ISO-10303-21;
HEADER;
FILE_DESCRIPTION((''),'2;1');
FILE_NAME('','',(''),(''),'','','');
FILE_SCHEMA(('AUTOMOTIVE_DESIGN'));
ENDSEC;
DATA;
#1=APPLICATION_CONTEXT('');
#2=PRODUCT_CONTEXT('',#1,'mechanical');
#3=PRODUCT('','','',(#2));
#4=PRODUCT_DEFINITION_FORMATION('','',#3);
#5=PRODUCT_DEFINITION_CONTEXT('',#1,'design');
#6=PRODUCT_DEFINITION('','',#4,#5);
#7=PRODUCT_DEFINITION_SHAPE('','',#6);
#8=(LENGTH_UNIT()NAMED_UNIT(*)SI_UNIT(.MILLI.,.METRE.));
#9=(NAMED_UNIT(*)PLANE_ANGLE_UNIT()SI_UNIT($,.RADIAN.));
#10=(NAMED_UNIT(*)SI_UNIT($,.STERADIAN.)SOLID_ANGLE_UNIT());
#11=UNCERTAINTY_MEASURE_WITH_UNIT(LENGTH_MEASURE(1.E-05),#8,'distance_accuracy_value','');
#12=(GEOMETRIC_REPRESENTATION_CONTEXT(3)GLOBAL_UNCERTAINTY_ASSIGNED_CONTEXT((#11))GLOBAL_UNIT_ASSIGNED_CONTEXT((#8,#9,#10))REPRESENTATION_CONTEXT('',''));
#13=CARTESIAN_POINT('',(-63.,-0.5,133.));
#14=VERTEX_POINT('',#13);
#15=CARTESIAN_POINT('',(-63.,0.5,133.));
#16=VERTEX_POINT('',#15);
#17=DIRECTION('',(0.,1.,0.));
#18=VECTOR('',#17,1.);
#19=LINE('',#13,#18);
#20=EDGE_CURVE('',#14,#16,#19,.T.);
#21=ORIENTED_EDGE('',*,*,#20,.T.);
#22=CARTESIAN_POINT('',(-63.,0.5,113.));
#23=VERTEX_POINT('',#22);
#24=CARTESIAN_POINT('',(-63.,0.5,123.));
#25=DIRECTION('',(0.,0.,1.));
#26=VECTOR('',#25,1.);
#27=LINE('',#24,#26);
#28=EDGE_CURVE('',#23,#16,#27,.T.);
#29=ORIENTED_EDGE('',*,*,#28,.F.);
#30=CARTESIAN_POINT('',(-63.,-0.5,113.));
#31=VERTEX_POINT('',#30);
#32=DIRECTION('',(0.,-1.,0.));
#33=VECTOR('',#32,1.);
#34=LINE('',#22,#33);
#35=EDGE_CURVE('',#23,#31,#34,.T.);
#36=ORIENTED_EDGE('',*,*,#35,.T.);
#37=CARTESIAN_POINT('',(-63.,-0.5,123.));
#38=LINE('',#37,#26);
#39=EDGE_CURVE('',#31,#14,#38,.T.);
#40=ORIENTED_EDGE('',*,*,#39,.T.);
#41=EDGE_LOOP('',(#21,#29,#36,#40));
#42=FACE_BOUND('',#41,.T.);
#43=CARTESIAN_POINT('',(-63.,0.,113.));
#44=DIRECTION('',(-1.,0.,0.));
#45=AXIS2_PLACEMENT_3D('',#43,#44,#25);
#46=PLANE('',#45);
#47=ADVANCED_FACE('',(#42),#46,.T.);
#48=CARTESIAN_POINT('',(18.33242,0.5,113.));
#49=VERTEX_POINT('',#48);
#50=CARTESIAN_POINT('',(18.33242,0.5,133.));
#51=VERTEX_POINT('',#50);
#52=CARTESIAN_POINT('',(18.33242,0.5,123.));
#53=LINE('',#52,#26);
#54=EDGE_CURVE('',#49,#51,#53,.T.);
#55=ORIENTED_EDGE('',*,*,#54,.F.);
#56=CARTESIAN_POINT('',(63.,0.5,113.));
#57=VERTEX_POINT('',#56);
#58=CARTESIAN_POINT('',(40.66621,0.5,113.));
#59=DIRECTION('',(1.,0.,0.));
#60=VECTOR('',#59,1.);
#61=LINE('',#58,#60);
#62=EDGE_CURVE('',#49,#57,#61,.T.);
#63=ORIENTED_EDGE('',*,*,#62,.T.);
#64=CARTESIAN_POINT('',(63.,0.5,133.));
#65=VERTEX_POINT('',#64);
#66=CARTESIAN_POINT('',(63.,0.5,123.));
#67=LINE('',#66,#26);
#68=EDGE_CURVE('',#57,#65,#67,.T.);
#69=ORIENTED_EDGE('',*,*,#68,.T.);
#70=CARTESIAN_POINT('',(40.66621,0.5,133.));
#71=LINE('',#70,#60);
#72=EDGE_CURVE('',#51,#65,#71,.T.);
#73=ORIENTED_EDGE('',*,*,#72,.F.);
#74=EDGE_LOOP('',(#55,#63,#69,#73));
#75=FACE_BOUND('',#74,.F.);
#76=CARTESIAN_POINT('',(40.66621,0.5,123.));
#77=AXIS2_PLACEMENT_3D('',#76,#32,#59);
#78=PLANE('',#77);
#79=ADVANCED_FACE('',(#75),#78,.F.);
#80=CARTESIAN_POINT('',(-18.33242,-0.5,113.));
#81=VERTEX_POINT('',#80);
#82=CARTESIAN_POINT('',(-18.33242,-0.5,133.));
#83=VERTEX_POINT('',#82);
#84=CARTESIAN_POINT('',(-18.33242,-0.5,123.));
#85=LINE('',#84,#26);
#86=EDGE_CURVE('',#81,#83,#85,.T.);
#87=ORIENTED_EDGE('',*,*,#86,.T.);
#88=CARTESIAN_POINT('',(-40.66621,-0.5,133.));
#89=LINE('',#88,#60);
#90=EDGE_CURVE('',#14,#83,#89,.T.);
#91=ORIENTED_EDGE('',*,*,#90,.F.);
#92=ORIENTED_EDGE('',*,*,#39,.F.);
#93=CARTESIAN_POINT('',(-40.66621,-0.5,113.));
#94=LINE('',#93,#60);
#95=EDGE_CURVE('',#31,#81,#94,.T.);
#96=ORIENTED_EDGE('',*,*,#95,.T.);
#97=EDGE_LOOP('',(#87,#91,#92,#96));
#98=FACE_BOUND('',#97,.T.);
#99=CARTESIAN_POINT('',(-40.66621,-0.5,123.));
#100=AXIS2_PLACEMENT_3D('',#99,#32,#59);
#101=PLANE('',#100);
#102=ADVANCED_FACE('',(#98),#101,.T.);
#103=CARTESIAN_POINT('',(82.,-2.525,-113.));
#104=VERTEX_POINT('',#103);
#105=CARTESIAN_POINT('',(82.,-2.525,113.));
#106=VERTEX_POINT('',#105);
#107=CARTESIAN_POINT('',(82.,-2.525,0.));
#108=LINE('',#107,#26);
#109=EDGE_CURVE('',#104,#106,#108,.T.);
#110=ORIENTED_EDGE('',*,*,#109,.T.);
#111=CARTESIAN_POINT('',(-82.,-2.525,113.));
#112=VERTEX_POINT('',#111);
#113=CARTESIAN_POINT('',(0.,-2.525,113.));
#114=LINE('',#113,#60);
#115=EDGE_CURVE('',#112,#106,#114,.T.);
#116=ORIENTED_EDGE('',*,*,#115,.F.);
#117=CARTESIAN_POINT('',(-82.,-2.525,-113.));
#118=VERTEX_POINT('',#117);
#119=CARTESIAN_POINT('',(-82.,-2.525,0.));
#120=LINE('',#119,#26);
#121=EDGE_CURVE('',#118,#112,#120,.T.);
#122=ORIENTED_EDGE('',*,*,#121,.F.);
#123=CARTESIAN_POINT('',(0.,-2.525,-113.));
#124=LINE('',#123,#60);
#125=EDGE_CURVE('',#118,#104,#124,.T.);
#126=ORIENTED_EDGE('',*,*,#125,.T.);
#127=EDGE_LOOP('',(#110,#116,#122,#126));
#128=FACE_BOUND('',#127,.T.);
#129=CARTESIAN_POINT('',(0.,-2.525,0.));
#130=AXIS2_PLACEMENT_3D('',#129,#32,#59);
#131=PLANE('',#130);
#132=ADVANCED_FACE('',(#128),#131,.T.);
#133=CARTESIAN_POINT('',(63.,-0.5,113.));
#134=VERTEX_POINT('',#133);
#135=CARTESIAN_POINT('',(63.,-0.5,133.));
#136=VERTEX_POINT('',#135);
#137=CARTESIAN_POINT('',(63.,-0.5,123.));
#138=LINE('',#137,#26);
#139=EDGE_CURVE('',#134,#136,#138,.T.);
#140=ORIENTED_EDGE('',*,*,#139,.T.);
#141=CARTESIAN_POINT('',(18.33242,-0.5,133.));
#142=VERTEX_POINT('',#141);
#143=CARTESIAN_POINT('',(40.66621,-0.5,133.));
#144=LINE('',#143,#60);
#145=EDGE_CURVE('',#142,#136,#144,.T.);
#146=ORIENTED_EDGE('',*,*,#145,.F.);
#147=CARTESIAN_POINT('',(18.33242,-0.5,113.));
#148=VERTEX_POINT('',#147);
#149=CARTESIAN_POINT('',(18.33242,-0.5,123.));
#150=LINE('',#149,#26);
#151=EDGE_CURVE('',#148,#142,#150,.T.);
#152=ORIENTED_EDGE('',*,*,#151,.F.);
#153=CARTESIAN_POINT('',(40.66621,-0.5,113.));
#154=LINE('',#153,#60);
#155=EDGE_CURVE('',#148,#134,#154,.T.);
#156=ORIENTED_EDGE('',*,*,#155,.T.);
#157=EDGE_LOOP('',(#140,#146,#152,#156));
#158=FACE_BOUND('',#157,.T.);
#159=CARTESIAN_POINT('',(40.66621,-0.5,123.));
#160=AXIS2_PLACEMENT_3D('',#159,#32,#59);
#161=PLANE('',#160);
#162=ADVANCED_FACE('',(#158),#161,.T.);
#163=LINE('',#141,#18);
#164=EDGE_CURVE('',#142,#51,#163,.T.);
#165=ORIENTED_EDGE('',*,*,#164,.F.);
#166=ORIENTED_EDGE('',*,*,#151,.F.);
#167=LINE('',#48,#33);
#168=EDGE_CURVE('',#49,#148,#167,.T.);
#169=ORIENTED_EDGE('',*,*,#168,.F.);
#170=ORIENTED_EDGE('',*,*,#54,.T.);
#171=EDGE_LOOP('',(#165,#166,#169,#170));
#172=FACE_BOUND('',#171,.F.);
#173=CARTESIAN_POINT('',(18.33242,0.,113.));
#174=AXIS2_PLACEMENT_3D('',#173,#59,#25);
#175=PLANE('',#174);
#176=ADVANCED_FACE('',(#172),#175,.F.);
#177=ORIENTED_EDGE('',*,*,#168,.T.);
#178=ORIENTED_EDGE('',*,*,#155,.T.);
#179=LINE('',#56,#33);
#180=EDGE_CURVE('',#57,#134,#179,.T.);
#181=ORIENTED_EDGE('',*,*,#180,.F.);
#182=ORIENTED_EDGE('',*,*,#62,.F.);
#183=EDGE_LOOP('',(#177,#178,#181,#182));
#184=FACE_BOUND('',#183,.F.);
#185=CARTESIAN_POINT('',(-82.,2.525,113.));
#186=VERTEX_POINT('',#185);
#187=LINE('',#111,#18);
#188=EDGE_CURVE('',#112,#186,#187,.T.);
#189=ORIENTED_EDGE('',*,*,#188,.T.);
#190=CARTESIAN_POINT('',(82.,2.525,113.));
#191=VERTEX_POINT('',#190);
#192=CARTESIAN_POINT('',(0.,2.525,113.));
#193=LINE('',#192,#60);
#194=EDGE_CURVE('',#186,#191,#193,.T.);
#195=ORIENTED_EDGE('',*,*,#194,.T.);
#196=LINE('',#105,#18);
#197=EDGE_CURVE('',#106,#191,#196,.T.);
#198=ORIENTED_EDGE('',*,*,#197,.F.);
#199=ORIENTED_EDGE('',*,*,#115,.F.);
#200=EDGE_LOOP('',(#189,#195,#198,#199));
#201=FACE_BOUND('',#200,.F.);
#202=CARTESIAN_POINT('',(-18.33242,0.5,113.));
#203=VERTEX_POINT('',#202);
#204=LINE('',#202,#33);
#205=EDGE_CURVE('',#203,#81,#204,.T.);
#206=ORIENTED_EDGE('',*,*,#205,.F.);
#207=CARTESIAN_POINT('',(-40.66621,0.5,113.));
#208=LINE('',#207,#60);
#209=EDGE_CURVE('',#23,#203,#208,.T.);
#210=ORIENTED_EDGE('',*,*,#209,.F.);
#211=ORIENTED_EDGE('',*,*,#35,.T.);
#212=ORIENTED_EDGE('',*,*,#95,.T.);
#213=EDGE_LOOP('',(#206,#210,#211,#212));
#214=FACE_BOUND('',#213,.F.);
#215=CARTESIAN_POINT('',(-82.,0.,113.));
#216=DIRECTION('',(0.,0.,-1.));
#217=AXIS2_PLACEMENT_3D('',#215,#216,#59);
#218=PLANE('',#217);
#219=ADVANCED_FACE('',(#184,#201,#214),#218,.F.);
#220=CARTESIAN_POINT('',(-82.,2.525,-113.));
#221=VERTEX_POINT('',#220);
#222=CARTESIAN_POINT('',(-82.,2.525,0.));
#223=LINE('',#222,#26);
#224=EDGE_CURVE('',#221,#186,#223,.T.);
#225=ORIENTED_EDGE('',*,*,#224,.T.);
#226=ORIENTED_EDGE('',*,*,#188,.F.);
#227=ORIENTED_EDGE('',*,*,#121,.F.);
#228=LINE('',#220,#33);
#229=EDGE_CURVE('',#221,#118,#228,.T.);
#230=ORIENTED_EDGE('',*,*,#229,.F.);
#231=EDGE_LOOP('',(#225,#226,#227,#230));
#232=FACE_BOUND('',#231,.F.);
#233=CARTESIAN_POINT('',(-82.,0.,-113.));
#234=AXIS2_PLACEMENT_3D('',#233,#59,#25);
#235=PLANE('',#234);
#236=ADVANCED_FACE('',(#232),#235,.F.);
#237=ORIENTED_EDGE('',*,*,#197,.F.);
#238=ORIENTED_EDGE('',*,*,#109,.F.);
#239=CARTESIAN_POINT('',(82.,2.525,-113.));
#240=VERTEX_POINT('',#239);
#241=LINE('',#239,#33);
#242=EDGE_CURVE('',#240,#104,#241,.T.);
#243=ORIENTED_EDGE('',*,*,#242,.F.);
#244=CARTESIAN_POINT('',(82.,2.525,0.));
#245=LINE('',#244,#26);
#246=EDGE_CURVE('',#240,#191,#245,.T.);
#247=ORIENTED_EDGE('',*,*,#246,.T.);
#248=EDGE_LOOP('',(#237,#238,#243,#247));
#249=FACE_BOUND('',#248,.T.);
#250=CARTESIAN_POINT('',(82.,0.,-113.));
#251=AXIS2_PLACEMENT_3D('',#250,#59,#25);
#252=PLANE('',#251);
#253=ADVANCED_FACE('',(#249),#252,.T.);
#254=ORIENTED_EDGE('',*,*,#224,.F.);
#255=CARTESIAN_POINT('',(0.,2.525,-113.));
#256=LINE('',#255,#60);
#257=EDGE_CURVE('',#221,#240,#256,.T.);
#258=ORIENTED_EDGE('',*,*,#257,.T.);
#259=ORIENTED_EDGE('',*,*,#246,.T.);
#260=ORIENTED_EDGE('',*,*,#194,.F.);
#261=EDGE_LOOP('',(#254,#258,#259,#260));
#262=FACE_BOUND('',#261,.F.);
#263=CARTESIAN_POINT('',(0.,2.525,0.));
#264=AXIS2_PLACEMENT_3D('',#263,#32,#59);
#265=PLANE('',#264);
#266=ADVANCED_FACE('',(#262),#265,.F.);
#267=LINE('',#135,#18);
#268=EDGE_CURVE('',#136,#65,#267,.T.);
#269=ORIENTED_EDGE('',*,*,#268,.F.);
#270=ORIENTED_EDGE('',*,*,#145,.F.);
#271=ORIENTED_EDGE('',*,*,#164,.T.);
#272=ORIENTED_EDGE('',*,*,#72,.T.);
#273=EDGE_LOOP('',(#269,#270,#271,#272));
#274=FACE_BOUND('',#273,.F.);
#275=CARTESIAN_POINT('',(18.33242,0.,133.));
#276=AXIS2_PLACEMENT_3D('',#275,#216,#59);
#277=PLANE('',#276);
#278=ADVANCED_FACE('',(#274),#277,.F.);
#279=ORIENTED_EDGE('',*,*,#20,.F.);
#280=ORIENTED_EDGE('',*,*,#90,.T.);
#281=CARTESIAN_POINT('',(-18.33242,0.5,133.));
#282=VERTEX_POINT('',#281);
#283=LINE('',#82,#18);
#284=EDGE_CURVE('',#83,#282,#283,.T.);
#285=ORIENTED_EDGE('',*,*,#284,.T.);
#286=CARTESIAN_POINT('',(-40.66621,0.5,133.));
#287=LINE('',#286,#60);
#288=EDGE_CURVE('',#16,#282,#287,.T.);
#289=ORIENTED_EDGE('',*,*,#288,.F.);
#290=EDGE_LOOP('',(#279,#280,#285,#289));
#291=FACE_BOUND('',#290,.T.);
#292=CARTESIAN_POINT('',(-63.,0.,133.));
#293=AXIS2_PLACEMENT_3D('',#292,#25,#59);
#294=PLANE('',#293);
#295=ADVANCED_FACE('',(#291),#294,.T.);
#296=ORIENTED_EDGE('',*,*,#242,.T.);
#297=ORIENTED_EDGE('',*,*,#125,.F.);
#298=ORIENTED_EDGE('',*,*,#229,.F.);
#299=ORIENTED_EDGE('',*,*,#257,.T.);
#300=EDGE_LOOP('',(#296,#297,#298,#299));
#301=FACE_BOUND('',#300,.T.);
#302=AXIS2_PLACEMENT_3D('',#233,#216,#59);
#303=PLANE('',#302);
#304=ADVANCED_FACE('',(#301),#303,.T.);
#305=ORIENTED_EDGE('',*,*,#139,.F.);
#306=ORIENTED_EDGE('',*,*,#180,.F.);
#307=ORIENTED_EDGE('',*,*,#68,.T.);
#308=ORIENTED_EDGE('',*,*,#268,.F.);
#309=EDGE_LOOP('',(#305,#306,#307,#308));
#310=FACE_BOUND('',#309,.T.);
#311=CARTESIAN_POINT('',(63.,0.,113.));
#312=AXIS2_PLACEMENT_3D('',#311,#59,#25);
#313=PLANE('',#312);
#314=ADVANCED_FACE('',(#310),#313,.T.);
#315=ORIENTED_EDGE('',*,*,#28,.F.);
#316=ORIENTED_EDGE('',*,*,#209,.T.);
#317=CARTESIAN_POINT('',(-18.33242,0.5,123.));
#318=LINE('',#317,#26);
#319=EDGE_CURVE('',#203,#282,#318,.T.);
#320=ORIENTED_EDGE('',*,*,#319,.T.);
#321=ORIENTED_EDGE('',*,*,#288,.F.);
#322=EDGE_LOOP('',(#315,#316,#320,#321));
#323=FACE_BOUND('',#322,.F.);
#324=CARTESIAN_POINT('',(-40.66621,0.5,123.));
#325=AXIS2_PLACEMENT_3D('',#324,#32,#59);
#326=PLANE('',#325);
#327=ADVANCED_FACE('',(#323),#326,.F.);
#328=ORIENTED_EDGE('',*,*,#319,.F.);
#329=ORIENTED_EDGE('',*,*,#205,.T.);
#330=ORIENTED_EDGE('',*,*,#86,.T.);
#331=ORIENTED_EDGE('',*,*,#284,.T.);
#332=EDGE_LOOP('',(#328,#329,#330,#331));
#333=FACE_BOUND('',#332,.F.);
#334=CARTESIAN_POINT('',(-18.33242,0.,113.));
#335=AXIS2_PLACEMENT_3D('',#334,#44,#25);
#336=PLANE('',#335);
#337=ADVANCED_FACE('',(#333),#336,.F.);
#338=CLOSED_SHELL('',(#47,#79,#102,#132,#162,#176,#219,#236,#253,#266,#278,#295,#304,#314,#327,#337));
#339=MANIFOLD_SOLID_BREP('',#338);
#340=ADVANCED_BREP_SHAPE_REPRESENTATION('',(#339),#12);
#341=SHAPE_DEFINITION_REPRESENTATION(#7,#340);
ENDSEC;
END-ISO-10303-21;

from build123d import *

# Parameters (mm, degrees)
F0_W     = 164
F0_H     = 226
F1_DEPTH = 2.525
F2_W     = 44.66758
F2_H     = 20
F3_DEPTH = 0.5


with BuildPart() as f1:
    # F0 (on Front) → F1 (new body, symmetric)
    with BuildSketch(Plane.XZ):
        Rectangle(F0_W, F0_H)
    extrude(amount=F1_DEPTH, both=True)

    # F2 (on face) → F3 (join, symmetric)
    with BuildSketch(Plane.XZ):
        with Locations((-40.66621, 123)):
            Rectangle(F2_W, F2_H)
        with Locations((40.66621, 123)):
            Rectangle(F2_W, F2_H)
    extrude(amount=F3_DEPTH, both=True)


solid = f1.part
